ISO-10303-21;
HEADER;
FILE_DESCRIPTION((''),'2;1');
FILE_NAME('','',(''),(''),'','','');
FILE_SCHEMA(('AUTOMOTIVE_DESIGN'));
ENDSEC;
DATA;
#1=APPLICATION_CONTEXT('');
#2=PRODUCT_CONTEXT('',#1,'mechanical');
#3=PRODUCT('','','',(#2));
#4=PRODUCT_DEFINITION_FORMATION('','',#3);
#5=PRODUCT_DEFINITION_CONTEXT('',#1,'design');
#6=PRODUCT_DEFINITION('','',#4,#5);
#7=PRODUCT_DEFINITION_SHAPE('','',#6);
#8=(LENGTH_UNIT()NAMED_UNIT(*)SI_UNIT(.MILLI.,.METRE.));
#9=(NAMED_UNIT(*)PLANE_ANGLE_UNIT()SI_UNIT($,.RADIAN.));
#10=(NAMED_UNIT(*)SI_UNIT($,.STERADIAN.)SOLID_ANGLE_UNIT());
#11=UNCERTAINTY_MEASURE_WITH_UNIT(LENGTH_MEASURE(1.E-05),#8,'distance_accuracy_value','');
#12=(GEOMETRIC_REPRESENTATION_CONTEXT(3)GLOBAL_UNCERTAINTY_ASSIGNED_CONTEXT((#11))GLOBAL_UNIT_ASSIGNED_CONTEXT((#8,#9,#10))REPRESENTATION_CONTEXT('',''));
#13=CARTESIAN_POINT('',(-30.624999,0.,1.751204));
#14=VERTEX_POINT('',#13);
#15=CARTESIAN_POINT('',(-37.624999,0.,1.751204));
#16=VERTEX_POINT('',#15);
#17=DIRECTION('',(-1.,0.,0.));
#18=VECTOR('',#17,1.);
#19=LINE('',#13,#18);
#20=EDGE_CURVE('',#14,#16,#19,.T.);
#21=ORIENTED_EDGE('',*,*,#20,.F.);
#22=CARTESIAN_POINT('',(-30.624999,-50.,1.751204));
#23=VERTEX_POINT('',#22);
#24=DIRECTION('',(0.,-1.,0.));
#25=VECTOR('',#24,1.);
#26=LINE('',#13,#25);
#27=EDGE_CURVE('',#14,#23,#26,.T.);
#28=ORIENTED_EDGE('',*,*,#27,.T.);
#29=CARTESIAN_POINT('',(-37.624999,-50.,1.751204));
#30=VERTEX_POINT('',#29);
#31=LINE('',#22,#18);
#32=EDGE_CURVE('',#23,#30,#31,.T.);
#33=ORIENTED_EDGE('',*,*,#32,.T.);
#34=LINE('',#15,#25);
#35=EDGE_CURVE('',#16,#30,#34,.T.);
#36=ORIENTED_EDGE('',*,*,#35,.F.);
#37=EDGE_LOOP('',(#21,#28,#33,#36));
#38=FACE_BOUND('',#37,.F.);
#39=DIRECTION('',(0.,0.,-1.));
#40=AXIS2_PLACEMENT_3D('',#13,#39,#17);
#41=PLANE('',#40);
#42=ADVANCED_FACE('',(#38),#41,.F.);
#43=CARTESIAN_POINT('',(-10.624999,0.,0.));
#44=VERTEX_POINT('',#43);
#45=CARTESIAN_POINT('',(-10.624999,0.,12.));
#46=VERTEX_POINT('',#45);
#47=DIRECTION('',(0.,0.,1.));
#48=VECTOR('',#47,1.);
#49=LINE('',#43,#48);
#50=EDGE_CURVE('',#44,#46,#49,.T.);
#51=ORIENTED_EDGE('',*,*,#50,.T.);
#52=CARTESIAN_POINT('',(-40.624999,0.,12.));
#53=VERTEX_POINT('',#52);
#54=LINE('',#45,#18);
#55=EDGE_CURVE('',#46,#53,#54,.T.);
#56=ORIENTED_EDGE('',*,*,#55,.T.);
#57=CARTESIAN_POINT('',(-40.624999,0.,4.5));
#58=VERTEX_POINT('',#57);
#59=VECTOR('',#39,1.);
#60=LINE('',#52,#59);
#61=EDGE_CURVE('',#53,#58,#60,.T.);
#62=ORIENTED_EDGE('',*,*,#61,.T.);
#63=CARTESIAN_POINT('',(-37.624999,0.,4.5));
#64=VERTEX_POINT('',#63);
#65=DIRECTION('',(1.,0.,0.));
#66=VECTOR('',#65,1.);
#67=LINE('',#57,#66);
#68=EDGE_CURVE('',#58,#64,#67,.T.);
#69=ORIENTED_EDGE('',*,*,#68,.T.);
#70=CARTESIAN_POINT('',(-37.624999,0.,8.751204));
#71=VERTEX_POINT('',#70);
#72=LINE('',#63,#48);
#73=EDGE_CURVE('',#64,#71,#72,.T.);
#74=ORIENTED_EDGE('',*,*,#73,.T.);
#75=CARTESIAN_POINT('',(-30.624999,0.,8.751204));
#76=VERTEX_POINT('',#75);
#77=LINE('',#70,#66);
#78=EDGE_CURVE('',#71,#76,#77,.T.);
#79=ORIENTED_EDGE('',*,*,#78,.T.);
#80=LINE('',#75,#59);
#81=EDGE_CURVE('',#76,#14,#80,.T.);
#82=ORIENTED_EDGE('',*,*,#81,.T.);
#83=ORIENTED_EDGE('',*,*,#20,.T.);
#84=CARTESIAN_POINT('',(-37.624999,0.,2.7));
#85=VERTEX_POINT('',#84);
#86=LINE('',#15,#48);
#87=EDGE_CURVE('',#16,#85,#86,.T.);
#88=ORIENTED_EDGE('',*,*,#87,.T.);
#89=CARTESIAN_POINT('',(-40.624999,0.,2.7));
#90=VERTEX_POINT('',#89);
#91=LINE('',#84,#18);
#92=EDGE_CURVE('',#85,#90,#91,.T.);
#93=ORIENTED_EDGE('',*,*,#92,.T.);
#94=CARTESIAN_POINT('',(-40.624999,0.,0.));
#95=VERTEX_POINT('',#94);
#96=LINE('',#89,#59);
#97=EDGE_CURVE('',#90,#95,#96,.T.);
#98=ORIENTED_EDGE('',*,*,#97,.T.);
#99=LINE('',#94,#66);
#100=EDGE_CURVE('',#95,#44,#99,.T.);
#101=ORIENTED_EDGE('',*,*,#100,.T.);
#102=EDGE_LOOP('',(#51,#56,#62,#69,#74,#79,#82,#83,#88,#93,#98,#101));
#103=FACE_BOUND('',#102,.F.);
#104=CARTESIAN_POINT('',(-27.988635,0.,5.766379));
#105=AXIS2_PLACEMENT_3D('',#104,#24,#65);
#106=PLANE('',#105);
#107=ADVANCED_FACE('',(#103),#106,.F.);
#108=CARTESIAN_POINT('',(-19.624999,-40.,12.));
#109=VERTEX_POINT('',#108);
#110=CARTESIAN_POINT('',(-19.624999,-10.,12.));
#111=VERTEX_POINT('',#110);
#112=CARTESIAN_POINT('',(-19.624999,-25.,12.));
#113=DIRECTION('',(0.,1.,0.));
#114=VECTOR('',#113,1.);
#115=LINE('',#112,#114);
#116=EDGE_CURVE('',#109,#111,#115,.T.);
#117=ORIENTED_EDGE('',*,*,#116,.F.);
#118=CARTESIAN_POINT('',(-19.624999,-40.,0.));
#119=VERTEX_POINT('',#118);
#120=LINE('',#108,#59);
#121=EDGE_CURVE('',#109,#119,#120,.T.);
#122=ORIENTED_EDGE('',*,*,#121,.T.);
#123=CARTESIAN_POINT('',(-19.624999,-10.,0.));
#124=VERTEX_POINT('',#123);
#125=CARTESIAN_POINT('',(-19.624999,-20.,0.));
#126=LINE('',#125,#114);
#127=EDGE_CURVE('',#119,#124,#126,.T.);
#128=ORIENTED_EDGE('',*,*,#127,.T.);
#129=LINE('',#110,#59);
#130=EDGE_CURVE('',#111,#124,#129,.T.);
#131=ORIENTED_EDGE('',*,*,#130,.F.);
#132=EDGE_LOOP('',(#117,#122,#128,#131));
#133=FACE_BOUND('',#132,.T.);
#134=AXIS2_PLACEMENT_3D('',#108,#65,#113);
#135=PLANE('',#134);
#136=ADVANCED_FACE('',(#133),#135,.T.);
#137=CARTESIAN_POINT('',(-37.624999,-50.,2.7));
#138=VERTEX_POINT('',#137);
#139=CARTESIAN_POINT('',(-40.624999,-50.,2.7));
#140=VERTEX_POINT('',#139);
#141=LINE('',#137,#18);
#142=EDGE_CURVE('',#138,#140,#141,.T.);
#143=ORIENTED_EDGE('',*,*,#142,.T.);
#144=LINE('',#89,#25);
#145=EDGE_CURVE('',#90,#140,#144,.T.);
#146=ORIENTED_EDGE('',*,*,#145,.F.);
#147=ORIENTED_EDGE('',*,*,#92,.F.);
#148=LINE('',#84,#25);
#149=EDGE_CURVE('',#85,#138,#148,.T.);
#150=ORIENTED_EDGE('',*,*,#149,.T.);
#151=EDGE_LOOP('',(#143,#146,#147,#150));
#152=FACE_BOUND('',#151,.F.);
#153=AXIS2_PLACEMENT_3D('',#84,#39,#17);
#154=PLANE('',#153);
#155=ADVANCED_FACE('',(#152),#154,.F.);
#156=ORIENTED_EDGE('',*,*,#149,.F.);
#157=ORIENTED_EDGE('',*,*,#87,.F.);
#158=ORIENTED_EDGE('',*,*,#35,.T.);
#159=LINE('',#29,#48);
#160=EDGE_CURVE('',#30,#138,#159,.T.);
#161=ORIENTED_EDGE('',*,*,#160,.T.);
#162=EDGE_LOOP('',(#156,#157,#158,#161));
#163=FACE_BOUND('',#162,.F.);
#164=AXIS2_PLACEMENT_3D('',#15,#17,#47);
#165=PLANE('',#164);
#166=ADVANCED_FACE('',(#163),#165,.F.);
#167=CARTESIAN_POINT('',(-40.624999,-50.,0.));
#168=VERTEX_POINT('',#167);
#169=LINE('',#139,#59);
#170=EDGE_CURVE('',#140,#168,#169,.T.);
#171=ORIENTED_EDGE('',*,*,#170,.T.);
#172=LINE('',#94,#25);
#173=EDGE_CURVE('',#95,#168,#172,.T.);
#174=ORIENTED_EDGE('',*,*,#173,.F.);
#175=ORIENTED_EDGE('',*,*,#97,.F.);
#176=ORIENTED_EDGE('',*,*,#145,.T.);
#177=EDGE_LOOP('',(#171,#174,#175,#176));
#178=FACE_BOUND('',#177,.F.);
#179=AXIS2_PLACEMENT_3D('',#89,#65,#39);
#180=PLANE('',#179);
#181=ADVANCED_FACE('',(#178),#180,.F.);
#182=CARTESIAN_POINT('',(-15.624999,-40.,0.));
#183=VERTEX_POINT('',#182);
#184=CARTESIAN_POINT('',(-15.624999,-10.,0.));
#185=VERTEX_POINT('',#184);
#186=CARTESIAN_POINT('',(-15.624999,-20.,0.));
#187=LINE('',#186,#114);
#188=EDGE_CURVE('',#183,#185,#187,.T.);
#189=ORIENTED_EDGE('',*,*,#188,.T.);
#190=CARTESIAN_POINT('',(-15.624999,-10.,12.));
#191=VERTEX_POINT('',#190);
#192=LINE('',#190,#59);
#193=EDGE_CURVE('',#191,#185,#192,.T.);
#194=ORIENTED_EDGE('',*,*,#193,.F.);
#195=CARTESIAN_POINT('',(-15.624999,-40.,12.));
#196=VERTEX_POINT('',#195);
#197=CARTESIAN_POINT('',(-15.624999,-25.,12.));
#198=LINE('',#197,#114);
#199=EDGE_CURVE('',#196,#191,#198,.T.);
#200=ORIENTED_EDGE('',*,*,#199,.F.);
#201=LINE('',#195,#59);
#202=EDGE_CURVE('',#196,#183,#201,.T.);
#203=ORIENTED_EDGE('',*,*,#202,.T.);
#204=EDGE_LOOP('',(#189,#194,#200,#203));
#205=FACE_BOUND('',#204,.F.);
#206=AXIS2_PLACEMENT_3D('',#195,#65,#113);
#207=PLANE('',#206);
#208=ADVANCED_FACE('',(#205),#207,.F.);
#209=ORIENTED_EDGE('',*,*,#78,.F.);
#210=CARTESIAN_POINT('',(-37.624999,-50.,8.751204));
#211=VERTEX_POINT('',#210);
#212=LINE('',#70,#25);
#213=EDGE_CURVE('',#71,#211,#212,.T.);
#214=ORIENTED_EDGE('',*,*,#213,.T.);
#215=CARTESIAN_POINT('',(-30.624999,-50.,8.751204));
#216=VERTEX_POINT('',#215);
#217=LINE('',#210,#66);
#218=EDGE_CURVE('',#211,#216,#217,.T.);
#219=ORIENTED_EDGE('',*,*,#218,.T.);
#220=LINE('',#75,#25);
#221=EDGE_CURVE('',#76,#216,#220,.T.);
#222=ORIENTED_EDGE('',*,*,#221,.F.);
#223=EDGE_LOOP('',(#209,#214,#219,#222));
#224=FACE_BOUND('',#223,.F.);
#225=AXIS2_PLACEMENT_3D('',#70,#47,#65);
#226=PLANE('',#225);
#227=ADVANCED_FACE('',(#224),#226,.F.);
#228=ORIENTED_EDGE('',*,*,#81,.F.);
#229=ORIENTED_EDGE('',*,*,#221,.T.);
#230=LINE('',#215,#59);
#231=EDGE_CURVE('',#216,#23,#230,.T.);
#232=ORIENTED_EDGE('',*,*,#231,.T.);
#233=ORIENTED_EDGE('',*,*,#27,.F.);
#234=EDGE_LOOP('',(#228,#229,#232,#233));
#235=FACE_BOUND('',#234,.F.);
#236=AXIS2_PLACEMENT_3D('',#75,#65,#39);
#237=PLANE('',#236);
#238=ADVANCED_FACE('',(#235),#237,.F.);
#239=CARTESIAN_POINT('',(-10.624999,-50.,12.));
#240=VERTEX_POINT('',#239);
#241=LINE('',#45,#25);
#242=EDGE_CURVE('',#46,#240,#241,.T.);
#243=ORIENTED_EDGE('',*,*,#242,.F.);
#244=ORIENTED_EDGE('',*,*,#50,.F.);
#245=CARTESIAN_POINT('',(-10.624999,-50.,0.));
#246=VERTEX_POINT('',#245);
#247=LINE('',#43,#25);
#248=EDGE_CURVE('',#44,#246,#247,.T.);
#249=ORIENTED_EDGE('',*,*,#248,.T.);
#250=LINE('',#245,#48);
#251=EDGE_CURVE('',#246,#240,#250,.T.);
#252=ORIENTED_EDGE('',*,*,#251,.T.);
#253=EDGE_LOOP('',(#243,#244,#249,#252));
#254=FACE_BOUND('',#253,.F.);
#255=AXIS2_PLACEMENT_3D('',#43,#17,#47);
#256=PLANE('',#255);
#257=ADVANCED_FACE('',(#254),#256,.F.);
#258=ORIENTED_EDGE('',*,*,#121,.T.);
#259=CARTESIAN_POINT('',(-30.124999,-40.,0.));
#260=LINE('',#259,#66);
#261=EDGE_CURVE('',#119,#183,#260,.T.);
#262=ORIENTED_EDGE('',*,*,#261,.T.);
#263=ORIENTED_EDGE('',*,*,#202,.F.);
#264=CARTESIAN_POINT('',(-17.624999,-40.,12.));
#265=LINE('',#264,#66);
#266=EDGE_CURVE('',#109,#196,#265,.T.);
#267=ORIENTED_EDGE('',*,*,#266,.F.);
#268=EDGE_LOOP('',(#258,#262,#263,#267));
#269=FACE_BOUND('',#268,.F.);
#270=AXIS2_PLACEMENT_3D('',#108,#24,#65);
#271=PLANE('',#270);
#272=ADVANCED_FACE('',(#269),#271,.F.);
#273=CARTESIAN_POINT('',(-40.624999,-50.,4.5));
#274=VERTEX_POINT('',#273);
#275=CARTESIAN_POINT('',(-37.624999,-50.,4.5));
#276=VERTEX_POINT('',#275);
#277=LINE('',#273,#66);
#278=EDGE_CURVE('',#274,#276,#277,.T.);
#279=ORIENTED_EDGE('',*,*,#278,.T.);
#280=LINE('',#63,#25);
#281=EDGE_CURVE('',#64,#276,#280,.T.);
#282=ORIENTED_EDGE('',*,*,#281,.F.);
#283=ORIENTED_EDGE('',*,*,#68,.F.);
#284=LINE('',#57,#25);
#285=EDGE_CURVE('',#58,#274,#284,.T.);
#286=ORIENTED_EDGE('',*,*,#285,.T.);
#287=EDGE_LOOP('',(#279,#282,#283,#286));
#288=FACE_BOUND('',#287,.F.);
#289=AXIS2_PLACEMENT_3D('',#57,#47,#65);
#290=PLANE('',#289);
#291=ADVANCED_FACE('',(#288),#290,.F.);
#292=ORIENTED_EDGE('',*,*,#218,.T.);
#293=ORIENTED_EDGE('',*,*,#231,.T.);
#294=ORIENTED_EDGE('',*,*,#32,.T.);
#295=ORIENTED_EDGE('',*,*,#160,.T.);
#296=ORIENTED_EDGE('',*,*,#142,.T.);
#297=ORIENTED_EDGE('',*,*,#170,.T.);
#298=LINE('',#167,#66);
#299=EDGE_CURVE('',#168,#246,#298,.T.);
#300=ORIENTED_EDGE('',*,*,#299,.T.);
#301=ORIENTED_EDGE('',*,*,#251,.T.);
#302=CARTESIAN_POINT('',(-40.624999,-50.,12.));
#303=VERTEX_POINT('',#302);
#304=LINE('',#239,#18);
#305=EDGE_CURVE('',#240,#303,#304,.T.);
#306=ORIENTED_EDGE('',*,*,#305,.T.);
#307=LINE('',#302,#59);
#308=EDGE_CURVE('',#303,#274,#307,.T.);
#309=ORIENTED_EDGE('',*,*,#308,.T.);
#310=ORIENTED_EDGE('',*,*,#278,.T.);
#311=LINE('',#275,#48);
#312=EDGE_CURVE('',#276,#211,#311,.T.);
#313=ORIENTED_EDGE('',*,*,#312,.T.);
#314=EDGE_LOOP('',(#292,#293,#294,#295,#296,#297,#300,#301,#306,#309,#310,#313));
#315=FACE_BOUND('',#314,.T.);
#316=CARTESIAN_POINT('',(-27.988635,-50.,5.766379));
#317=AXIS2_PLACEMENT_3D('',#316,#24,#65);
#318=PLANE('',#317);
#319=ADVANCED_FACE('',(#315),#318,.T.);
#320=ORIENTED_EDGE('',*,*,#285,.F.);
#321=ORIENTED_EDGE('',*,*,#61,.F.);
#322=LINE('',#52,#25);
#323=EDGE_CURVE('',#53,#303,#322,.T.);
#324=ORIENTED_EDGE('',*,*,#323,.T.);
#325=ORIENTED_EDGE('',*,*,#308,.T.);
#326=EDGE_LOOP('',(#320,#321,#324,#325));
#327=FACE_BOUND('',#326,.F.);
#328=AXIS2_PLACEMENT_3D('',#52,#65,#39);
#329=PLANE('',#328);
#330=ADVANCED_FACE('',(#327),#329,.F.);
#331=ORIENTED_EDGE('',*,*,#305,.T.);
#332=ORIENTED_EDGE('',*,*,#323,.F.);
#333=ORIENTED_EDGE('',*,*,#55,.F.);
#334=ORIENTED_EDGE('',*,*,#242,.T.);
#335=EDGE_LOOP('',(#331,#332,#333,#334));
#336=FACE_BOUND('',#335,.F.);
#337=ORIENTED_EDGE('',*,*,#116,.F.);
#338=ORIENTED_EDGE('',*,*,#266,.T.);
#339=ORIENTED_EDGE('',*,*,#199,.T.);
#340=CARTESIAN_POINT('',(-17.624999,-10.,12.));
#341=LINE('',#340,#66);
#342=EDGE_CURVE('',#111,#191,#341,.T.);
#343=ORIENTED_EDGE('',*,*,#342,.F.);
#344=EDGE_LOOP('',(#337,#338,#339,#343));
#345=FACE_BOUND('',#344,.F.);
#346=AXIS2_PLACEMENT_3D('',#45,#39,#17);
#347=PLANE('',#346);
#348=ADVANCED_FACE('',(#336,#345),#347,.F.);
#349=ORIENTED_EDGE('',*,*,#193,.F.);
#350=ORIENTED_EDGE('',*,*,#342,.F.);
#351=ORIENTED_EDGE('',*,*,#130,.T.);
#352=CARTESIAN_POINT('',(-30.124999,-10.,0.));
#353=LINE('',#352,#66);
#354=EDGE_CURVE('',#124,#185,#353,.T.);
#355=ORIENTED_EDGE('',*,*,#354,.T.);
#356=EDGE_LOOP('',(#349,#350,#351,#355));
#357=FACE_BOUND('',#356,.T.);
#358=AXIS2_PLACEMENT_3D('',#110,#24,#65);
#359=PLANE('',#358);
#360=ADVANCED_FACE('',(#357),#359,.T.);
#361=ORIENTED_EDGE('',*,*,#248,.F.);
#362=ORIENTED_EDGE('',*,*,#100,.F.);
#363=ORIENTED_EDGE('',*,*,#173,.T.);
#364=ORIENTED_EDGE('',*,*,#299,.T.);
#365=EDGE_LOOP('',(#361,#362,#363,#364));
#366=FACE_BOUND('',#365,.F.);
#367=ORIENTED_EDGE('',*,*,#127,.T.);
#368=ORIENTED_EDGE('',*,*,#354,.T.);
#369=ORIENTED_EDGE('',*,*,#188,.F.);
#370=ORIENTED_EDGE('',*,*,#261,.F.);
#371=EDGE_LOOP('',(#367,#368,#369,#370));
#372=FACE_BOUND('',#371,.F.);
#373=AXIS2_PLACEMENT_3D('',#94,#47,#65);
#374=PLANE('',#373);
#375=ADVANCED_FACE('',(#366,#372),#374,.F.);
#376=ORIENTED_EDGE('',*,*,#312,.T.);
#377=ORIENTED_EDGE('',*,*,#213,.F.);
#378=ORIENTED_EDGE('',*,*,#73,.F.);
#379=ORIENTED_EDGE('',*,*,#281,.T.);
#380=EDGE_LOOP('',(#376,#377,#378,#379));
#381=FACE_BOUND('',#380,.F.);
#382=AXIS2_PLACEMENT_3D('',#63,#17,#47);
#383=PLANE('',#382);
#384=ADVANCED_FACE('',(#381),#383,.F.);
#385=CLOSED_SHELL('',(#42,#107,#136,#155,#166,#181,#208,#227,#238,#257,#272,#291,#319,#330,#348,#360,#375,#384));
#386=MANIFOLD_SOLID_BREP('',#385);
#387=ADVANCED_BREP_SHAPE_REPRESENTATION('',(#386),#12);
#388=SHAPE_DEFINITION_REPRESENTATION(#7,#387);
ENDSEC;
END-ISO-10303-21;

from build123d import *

# Parameters (mm, degrees)
F1_DEPTH = 50
F2_W     = 4
F2_H     = 30
F3_DEPTH = 25


with BuildPart() as f1:
    # F0 (on Front) → F1 (new body)
    with BuildSketch(Plane.XZ):
        Polygon((-10.624999, 12), (-40.624999, 12), (-40.624999, 4.5), (-37.624999, 4.5), (-37.624999, 8.751204), (-30.624999, 8.751204), (-30.624999, 1.751204), (-37.624999, 1.751204), (-37.624999, 2.7), (-40.624999, 2.7), (-40.624999, 0), (-10.624999, 0), align=None)
    extrude(amount=F1_DEPTH)

    # F2 (on face) → F3 (cut)
    with BuildSketch(Plane.XY.offset(12)):
        with Locations((-17.624999, -25)):
            Rectangle(F2_W, F2_H)
    extrude(amount=-F3_DEPTH, mode=Mode.SUBTRACT)


solid = f1.part
